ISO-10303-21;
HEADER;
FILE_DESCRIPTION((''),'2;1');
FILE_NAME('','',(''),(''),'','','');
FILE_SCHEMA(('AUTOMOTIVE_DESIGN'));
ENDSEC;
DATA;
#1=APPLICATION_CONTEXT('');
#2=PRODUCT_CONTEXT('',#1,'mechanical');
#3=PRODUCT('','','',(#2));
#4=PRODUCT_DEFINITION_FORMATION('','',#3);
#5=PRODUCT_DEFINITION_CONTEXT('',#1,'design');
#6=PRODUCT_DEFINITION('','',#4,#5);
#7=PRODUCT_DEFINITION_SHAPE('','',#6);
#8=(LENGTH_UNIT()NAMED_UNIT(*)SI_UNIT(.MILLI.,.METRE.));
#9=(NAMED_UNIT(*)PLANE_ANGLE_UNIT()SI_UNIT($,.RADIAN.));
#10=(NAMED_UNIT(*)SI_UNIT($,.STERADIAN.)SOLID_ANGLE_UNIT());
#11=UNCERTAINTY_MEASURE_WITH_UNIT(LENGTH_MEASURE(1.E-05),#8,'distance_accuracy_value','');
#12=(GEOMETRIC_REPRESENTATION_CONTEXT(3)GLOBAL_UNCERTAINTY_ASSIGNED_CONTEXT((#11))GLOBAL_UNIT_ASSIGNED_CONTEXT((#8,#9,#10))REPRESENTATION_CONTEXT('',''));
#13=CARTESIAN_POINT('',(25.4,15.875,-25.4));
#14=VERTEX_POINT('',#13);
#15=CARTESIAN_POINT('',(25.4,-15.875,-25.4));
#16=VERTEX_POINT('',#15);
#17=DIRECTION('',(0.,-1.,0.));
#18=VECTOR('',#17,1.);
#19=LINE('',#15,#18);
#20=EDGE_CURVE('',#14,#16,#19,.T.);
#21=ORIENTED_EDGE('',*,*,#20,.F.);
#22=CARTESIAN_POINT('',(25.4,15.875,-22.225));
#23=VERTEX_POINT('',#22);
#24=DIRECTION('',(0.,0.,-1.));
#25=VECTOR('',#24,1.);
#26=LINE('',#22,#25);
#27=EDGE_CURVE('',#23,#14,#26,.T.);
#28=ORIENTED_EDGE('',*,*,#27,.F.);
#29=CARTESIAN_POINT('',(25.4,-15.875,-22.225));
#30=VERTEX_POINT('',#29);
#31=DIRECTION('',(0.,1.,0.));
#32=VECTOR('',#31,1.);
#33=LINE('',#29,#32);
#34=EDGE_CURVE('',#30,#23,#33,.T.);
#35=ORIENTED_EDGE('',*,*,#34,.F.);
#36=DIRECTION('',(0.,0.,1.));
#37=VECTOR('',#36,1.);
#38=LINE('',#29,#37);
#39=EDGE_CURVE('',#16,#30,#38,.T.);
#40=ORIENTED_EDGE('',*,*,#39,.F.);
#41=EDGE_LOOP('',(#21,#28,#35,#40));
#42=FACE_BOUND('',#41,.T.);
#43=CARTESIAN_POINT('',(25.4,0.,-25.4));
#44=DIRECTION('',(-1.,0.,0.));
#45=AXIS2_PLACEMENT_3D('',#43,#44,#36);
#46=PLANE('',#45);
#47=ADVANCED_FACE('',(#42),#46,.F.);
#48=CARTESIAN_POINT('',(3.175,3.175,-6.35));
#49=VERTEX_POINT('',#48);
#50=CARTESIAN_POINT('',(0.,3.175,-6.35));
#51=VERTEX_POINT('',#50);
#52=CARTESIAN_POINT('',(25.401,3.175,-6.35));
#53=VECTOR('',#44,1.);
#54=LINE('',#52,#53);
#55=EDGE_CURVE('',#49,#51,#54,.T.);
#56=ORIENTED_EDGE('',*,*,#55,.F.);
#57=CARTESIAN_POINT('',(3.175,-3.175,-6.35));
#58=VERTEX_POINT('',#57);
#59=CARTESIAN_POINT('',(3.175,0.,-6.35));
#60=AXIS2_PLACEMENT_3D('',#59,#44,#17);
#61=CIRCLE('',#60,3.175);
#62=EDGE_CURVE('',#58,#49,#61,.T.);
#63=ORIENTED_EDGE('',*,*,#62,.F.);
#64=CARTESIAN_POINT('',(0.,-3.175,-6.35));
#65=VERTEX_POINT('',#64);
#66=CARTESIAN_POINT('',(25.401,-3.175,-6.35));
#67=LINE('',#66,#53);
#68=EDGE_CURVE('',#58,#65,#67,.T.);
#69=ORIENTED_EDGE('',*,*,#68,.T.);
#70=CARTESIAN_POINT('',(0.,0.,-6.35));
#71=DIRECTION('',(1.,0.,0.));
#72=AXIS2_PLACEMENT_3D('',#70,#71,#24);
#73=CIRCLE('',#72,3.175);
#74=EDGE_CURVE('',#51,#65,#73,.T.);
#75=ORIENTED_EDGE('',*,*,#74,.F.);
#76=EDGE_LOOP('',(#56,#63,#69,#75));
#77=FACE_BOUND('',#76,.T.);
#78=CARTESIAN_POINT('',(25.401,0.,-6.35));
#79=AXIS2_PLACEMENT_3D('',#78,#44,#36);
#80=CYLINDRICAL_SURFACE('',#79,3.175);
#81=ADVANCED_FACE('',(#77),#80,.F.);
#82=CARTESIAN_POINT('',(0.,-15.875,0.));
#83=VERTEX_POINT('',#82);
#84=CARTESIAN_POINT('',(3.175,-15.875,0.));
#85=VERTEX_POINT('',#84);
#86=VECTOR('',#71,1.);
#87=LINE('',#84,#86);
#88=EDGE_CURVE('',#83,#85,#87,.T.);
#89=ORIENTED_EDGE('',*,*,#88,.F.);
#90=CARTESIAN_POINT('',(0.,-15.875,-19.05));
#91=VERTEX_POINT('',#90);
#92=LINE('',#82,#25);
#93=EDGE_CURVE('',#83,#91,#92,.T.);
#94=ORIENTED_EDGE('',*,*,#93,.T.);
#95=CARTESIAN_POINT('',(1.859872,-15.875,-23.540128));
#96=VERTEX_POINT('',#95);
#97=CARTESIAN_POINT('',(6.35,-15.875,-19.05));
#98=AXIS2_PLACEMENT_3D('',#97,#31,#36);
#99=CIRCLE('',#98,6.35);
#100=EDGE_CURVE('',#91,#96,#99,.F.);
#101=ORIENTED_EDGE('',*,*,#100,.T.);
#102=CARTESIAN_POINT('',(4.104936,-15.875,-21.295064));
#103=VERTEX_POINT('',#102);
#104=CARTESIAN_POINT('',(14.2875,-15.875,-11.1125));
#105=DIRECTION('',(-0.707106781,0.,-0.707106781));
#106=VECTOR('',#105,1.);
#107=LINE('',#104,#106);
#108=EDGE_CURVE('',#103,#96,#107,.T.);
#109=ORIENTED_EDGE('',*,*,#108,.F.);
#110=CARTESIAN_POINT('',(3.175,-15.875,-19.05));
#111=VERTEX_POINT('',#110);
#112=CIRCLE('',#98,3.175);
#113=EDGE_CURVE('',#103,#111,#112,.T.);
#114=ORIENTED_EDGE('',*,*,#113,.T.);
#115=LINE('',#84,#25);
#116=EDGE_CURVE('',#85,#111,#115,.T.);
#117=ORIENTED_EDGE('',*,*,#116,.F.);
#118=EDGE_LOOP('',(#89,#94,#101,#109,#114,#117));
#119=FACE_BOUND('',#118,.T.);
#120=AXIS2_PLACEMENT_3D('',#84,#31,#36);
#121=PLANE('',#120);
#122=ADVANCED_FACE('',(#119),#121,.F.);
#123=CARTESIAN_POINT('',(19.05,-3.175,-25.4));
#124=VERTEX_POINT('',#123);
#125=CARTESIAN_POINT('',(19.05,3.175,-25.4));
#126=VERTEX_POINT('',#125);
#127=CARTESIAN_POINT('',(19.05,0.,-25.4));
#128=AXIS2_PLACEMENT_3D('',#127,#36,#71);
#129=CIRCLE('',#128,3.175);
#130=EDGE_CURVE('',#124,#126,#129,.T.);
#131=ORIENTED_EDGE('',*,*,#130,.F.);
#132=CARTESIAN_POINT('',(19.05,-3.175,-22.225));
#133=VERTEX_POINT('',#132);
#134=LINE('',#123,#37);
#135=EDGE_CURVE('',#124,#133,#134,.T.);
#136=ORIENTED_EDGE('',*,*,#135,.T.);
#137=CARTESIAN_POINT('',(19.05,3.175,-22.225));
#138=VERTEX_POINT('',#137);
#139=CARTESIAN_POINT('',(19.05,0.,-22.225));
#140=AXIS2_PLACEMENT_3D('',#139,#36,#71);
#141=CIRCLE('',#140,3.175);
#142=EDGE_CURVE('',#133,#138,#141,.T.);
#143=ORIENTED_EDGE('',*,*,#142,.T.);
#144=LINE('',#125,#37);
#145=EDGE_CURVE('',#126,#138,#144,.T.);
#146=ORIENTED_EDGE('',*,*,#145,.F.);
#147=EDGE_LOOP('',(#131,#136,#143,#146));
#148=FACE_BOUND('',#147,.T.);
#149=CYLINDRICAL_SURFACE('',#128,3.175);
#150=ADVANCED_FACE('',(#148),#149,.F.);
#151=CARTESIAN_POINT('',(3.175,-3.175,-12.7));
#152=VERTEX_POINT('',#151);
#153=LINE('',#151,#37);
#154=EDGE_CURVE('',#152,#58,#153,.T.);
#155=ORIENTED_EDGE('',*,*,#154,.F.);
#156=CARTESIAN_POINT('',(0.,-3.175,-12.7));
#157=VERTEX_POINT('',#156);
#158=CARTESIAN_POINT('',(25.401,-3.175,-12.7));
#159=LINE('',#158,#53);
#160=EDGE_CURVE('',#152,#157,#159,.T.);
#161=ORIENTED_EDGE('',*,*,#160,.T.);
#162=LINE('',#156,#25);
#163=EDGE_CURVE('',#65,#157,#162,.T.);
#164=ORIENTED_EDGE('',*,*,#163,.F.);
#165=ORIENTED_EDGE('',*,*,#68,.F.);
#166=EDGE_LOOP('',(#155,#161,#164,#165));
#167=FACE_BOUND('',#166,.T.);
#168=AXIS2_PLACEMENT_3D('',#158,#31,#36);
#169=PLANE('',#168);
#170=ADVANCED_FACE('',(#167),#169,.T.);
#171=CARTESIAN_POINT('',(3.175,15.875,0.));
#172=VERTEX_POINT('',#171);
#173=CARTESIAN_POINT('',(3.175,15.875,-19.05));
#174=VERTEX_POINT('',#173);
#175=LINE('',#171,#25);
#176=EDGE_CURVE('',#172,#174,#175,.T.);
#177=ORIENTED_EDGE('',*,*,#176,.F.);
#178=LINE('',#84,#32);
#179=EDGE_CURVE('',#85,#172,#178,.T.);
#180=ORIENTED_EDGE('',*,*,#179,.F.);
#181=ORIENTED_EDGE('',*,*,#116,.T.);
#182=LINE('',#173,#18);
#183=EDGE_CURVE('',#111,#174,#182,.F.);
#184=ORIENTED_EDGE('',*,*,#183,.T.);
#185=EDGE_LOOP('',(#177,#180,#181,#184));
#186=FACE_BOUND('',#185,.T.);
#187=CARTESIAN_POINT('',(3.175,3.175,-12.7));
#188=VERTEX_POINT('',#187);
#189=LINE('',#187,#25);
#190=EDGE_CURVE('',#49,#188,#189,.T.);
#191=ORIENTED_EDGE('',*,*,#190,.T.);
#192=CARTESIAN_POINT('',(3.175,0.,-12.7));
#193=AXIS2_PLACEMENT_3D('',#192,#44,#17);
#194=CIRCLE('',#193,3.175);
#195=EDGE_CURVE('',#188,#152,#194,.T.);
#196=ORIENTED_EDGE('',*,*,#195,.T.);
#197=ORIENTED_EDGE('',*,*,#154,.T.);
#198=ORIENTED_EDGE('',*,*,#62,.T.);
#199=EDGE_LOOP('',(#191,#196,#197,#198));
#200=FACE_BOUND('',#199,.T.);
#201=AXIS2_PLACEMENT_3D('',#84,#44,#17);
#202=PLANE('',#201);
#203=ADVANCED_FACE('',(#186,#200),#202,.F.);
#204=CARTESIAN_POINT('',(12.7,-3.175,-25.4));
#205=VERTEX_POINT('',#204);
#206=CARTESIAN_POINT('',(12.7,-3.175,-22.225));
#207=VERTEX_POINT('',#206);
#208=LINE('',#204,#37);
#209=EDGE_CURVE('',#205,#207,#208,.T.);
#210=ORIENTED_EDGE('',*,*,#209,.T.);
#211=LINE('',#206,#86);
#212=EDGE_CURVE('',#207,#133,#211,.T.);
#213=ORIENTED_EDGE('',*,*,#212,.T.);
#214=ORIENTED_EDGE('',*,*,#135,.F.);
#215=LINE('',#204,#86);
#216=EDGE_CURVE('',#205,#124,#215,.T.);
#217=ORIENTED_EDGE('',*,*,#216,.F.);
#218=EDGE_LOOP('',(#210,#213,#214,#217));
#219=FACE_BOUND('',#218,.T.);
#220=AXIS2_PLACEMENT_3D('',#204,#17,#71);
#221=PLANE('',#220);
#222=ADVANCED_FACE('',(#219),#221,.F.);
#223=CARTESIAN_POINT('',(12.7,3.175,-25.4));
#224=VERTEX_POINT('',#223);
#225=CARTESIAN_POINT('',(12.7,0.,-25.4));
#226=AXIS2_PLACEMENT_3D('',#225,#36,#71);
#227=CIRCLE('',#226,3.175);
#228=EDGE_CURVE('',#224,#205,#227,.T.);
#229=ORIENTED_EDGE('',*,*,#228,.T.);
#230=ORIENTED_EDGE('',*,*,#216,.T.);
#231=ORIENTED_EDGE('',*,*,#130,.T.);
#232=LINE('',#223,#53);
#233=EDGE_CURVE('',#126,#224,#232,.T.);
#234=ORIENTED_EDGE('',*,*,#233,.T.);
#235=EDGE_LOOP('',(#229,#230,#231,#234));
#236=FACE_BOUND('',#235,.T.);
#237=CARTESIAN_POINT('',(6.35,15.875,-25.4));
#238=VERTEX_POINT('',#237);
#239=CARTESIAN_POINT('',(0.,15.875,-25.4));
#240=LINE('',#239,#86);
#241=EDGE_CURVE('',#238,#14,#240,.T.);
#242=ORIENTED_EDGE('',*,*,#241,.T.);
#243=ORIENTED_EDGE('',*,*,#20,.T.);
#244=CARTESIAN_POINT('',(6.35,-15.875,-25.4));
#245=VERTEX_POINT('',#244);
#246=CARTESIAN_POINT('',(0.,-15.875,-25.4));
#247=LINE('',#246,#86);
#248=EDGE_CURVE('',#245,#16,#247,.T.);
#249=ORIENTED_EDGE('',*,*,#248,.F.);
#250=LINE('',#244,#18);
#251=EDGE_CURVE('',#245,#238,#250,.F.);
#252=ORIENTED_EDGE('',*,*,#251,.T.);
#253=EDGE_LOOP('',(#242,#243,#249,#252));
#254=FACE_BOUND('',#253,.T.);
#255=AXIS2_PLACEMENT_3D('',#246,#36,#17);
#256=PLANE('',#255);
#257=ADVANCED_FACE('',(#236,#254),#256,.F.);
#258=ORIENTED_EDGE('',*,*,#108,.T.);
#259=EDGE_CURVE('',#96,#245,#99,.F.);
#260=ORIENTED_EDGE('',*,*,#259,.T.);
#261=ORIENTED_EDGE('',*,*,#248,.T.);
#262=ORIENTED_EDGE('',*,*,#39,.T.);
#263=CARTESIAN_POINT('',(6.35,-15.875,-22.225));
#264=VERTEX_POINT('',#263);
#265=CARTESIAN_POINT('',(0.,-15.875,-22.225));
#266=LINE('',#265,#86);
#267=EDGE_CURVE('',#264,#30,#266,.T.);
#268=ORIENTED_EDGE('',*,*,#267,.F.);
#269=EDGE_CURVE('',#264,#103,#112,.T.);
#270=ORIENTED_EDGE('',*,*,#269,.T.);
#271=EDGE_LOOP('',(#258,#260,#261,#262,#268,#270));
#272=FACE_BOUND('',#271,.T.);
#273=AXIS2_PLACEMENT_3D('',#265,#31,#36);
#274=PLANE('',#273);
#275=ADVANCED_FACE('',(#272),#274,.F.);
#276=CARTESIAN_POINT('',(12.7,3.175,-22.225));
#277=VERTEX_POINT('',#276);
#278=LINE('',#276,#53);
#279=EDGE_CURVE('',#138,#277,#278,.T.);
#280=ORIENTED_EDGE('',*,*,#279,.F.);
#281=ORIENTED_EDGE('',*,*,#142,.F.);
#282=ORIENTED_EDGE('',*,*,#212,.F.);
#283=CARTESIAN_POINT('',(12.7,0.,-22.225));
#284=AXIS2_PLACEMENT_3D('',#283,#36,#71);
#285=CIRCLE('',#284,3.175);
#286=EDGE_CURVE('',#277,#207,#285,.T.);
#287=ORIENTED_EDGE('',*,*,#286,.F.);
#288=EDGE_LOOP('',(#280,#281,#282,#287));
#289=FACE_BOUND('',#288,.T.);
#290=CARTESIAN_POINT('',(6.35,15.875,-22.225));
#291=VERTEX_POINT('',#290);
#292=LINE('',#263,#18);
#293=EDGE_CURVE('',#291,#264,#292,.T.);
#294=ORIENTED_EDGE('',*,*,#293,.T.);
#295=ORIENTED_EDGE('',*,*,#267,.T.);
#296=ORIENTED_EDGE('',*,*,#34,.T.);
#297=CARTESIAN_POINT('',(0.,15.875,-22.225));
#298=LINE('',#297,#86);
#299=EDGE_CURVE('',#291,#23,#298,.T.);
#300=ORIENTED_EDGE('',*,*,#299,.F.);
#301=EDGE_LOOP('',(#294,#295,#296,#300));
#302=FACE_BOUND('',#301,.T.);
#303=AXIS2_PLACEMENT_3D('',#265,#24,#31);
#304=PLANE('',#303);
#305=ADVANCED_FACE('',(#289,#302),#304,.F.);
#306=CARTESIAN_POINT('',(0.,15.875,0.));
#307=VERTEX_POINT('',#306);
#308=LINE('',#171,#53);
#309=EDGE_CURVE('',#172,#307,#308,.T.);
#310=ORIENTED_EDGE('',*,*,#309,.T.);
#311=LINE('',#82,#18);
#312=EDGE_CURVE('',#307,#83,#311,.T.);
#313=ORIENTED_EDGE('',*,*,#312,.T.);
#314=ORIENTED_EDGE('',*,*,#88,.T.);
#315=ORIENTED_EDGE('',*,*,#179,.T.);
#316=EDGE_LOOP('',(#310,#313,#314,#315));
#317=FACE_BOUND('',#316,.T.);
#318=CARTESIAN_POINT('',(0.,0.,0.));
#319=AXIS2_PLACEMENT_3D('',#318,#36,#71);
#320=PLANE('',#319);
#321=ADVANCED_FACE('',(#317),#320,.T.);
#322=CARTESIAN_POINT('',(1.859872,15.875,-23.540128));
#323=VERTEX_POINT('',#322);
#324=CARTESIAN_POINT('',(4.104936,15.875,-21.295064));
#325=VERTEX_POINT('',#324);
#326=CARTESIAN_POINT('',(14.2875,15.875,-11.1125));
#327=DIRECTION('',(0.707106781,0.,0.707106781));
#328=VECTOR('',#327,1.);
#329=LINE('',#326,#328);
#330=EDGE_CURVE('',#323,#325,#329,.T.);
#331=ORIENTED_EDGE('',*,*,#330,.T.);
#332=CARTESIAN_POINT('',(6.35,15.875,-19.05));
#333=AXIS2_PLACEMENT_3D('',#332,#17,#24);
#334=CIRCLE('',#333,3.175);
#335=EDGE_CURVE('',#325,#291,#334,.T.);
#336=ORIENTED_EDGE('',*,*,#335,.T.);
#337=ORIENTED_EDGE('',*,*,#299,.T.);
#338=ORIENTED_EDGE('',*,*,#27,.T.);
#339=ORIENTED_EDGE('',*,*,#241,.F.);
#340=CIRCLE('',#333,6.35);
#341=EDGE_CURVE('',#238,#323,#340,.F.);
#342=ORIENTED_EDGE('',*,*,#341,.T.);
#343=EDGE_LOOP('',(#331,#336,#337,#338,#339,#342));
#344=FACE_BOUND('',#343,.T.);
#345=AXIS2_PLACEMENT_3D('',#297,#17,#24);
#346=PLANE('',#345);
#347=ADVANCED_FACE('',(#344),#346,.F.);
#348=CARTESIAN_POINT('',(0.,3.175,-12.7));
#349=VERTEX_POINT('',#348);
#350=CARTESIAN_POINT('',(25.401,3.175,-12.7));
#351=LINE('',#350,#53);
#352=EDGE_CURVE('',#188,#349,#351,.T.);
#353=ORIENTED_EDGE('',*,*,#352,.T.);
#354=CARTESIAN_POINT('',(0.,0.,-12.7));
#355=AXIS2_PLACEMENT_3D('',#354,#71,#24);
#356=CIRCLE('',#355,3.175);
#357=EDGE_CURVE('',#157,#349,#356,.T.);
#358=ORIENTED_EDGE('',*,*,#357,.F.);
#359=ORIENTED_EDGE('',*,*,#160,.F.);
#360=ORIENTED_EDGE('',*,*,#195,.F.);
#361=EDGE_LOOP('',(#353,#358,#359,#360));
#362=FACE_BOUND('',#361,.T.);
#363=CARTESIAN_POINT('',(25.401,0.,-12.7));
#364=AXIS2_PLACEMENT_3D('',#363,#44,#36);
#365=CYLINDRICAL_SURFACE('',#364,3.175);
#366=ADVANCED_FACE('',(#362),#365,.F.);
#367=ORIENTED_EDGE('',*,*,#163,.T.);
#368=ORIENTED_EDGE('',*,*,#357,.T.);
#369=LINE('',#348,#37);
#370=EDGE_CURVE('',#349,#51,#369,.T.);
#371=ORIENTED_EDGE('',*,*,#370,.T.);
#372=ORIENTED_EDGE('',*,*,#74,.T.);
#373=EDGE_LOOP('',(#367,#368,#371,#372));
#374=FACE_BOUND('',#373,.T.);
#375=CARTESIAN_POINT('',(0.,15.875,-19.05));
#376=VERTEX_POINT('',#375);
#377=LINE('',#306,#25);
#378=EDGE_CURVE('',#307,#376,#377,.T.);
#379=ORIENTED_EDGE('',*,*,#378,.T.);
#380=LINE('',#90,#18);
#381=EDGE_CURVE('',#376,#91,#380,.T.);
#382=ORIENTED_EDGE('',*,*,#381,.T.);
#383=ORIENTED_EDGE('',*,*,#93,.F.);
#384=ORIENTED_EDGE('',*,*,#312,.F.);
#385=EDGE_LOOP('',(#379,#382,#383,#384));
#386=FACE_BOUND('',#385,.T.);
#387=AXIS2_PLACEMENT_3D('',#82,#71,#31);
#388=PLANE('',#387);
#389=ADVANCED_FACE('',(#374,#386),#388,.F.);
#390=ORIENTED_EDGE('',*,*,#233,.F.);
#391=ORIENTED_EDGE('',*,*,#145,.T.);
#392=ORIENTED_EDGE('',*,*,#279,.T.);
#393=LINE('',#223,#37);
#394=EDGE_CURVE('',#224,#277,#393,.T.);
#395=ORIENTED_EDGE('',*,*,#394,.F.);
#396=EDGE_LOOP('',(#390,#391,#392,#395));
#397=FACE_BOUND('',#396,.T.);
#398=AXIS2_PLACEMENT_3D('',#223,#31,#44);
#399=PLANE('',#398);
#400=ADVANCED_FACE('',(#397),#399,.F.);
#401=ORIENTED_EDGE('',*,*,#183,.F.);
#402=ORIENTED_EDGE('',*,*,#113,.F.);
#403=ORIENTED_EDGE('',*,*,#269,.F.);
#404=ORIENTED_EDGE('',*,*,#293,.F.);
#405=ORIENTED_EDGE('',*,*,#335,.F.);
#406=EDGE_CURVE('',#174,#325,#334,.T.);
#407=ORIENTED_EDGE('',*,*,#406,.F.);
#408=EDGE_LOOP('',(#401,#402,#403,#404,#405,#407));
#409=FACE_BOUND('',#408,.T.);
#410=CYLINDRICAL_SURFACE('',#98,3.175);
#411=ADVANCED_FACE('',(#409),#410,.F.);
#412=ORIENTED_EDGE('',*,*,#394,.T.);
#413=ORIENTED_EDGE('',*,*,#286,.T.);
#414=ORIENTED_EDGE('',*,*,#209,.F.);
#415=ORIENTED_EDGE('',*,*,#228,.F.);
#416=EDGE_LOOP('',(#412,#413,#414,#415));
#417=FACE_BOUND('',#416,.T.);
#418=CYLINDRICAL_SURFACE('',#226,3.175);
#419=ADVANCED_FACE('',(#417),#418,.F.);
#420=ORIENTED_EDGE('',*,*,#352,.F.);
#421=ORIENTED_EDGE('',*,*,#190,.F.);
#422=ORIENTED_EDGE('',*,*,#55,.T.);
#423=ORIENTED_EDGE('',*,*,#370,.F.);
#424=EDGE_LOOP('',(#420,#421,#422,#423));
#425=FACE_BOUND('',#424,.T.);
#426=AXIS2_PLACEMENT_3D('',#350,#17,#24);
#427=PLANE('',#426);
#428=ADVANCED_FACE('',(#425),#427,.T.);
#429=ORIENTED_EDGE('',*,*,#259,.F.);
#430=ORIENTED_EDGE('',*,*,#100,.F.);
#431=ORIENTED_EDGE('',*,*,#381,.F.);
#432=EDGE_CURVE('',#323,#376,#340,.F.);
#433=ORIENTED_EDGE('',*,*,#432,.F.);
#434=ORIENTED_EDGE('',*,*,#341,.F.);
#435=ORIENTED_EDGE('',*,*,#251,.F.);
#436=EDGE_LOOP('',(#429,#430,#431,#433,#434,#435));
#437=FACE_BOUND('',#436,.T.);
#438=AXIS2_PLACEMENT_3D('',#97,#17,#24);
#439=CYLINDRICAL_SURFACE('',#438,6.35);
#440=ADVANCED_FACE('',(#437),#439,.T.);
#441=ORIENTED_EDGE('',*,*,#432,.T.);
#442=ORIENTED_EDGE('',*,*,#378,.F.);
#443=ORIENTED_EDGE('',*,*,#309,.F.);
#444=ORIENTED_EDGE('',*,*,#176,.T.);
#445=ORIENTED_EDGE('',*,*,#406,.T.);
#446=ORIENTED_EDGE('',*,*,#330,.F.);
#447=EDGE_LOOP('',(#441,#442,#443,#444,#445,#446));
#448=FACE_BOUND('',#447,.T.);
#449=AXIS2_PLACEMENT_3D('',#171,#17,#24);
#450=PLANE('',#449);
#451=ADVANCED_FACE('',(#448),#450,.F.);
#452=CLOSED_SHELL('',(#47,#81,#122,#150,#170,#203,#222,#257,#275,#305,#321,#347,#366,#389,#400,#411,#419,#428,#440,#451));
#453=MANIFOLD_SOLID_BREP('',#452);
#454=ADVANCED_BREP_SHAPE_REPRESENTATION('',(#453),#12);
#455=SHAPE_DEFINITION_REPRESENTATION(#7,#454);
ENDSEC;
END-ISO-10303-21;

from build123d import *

# Parameters (mm, degrees)
SKETCH3_W          = 3.175
SKETCH3_H          = 31.75
FILLET1_R          = 3.175
FILLET2_R          = 6.35
CUT_EXTRUDE2_REACH = 41.273
CUT_EXTRUDE3_DEPTH = 38.297804895


with BuildPart() as part:
    # Sweep1: sweep along a path in Sketch4
    with BuildLine(Plane(origin=(0, 0, 0), x_dir=(1, 0, 0), z_dir=(0, 1, 0))) as sweep1_path:
        Line((0, 0), (0, 25.4))
        Line((0, 25.4), (25.4, 25.4))
    # Sketch3 → Sweep1 (sweep)
    with BuildSketch(Plane.XY):
        with Locations((1.5875, 0)):
            Rectangle(SKETCH3_W, SKETCH3_H)
    sweep(path=sweep1_path.line, transition=Transition.RIGHT)

    # Fillet1
    fillet1_edges = [part.edges().sort_by_distance(p)[0] for p in [
        (3.175, 0, -22.225),
    ]]
    fillet(fillet1_edges, radius=FILLET1_R)

    # Fillet2
    fillet2_edges = [part.edges().sort_by_distance(p)[0] for p in [
        (0, 0, -25.4),
    ]]
    fillet(fillet2_edges, radius=FILLET2_R)

    # Sketch6 → Cut-Extrude2 (cut, up to next)
    with BuildSketch(Plane(origin=(0, 0, 0), x_dir=(0, 0, -1), z_dir=(1, 0, 0)), mode=Mode.PRIVATE) as cut_extrude2_sk1:
        with BuildLine():
            Line((12.7, -3.175), (6.35, -3.175))
            ThreePointArc((6.35, -3.175), (3.175, 0), (6.35, 3.175))
            Line((6.35, 3.175), (12.7, 3.175))
            ThreePointArc((12.7, 3.175), (15.875, 0), (12.7, -3.175))
        make_face()
    cut_extrude2_tool1 = extrude(cut_extrude2_sk1.sketch, amount=CUT_EXTRUDE2_REACH, mode=Mode.PRIVATE) & part.part
    add(cut_extrude2_tool1.solids().sort_by_distance((0, 0, -9.525))[0], mode=Mode.SUBTRACT)

    # Sketch7 → Cut-Extrude3 (cut, through all)
    with BuildSketch(Plane.XY.offset(-22.225)):
        with BuildLine():
            Line((12.7, 3.175), (19.05, 3.175))
            ThreePointArc((19.05, 3.175), (22.225, 0), (19.05, -3.175))
            Line((19.05, -3.175), (12.7, -3.175))
            ThreePointArc((12.7, -3.175), (9.525, 0), (12.7, 3.175))
        make_face()
    extrude(amount=-CUT_EXTRUDE3_DEPTH, mode=Mode.SUBTRACT)


solid = part.part
